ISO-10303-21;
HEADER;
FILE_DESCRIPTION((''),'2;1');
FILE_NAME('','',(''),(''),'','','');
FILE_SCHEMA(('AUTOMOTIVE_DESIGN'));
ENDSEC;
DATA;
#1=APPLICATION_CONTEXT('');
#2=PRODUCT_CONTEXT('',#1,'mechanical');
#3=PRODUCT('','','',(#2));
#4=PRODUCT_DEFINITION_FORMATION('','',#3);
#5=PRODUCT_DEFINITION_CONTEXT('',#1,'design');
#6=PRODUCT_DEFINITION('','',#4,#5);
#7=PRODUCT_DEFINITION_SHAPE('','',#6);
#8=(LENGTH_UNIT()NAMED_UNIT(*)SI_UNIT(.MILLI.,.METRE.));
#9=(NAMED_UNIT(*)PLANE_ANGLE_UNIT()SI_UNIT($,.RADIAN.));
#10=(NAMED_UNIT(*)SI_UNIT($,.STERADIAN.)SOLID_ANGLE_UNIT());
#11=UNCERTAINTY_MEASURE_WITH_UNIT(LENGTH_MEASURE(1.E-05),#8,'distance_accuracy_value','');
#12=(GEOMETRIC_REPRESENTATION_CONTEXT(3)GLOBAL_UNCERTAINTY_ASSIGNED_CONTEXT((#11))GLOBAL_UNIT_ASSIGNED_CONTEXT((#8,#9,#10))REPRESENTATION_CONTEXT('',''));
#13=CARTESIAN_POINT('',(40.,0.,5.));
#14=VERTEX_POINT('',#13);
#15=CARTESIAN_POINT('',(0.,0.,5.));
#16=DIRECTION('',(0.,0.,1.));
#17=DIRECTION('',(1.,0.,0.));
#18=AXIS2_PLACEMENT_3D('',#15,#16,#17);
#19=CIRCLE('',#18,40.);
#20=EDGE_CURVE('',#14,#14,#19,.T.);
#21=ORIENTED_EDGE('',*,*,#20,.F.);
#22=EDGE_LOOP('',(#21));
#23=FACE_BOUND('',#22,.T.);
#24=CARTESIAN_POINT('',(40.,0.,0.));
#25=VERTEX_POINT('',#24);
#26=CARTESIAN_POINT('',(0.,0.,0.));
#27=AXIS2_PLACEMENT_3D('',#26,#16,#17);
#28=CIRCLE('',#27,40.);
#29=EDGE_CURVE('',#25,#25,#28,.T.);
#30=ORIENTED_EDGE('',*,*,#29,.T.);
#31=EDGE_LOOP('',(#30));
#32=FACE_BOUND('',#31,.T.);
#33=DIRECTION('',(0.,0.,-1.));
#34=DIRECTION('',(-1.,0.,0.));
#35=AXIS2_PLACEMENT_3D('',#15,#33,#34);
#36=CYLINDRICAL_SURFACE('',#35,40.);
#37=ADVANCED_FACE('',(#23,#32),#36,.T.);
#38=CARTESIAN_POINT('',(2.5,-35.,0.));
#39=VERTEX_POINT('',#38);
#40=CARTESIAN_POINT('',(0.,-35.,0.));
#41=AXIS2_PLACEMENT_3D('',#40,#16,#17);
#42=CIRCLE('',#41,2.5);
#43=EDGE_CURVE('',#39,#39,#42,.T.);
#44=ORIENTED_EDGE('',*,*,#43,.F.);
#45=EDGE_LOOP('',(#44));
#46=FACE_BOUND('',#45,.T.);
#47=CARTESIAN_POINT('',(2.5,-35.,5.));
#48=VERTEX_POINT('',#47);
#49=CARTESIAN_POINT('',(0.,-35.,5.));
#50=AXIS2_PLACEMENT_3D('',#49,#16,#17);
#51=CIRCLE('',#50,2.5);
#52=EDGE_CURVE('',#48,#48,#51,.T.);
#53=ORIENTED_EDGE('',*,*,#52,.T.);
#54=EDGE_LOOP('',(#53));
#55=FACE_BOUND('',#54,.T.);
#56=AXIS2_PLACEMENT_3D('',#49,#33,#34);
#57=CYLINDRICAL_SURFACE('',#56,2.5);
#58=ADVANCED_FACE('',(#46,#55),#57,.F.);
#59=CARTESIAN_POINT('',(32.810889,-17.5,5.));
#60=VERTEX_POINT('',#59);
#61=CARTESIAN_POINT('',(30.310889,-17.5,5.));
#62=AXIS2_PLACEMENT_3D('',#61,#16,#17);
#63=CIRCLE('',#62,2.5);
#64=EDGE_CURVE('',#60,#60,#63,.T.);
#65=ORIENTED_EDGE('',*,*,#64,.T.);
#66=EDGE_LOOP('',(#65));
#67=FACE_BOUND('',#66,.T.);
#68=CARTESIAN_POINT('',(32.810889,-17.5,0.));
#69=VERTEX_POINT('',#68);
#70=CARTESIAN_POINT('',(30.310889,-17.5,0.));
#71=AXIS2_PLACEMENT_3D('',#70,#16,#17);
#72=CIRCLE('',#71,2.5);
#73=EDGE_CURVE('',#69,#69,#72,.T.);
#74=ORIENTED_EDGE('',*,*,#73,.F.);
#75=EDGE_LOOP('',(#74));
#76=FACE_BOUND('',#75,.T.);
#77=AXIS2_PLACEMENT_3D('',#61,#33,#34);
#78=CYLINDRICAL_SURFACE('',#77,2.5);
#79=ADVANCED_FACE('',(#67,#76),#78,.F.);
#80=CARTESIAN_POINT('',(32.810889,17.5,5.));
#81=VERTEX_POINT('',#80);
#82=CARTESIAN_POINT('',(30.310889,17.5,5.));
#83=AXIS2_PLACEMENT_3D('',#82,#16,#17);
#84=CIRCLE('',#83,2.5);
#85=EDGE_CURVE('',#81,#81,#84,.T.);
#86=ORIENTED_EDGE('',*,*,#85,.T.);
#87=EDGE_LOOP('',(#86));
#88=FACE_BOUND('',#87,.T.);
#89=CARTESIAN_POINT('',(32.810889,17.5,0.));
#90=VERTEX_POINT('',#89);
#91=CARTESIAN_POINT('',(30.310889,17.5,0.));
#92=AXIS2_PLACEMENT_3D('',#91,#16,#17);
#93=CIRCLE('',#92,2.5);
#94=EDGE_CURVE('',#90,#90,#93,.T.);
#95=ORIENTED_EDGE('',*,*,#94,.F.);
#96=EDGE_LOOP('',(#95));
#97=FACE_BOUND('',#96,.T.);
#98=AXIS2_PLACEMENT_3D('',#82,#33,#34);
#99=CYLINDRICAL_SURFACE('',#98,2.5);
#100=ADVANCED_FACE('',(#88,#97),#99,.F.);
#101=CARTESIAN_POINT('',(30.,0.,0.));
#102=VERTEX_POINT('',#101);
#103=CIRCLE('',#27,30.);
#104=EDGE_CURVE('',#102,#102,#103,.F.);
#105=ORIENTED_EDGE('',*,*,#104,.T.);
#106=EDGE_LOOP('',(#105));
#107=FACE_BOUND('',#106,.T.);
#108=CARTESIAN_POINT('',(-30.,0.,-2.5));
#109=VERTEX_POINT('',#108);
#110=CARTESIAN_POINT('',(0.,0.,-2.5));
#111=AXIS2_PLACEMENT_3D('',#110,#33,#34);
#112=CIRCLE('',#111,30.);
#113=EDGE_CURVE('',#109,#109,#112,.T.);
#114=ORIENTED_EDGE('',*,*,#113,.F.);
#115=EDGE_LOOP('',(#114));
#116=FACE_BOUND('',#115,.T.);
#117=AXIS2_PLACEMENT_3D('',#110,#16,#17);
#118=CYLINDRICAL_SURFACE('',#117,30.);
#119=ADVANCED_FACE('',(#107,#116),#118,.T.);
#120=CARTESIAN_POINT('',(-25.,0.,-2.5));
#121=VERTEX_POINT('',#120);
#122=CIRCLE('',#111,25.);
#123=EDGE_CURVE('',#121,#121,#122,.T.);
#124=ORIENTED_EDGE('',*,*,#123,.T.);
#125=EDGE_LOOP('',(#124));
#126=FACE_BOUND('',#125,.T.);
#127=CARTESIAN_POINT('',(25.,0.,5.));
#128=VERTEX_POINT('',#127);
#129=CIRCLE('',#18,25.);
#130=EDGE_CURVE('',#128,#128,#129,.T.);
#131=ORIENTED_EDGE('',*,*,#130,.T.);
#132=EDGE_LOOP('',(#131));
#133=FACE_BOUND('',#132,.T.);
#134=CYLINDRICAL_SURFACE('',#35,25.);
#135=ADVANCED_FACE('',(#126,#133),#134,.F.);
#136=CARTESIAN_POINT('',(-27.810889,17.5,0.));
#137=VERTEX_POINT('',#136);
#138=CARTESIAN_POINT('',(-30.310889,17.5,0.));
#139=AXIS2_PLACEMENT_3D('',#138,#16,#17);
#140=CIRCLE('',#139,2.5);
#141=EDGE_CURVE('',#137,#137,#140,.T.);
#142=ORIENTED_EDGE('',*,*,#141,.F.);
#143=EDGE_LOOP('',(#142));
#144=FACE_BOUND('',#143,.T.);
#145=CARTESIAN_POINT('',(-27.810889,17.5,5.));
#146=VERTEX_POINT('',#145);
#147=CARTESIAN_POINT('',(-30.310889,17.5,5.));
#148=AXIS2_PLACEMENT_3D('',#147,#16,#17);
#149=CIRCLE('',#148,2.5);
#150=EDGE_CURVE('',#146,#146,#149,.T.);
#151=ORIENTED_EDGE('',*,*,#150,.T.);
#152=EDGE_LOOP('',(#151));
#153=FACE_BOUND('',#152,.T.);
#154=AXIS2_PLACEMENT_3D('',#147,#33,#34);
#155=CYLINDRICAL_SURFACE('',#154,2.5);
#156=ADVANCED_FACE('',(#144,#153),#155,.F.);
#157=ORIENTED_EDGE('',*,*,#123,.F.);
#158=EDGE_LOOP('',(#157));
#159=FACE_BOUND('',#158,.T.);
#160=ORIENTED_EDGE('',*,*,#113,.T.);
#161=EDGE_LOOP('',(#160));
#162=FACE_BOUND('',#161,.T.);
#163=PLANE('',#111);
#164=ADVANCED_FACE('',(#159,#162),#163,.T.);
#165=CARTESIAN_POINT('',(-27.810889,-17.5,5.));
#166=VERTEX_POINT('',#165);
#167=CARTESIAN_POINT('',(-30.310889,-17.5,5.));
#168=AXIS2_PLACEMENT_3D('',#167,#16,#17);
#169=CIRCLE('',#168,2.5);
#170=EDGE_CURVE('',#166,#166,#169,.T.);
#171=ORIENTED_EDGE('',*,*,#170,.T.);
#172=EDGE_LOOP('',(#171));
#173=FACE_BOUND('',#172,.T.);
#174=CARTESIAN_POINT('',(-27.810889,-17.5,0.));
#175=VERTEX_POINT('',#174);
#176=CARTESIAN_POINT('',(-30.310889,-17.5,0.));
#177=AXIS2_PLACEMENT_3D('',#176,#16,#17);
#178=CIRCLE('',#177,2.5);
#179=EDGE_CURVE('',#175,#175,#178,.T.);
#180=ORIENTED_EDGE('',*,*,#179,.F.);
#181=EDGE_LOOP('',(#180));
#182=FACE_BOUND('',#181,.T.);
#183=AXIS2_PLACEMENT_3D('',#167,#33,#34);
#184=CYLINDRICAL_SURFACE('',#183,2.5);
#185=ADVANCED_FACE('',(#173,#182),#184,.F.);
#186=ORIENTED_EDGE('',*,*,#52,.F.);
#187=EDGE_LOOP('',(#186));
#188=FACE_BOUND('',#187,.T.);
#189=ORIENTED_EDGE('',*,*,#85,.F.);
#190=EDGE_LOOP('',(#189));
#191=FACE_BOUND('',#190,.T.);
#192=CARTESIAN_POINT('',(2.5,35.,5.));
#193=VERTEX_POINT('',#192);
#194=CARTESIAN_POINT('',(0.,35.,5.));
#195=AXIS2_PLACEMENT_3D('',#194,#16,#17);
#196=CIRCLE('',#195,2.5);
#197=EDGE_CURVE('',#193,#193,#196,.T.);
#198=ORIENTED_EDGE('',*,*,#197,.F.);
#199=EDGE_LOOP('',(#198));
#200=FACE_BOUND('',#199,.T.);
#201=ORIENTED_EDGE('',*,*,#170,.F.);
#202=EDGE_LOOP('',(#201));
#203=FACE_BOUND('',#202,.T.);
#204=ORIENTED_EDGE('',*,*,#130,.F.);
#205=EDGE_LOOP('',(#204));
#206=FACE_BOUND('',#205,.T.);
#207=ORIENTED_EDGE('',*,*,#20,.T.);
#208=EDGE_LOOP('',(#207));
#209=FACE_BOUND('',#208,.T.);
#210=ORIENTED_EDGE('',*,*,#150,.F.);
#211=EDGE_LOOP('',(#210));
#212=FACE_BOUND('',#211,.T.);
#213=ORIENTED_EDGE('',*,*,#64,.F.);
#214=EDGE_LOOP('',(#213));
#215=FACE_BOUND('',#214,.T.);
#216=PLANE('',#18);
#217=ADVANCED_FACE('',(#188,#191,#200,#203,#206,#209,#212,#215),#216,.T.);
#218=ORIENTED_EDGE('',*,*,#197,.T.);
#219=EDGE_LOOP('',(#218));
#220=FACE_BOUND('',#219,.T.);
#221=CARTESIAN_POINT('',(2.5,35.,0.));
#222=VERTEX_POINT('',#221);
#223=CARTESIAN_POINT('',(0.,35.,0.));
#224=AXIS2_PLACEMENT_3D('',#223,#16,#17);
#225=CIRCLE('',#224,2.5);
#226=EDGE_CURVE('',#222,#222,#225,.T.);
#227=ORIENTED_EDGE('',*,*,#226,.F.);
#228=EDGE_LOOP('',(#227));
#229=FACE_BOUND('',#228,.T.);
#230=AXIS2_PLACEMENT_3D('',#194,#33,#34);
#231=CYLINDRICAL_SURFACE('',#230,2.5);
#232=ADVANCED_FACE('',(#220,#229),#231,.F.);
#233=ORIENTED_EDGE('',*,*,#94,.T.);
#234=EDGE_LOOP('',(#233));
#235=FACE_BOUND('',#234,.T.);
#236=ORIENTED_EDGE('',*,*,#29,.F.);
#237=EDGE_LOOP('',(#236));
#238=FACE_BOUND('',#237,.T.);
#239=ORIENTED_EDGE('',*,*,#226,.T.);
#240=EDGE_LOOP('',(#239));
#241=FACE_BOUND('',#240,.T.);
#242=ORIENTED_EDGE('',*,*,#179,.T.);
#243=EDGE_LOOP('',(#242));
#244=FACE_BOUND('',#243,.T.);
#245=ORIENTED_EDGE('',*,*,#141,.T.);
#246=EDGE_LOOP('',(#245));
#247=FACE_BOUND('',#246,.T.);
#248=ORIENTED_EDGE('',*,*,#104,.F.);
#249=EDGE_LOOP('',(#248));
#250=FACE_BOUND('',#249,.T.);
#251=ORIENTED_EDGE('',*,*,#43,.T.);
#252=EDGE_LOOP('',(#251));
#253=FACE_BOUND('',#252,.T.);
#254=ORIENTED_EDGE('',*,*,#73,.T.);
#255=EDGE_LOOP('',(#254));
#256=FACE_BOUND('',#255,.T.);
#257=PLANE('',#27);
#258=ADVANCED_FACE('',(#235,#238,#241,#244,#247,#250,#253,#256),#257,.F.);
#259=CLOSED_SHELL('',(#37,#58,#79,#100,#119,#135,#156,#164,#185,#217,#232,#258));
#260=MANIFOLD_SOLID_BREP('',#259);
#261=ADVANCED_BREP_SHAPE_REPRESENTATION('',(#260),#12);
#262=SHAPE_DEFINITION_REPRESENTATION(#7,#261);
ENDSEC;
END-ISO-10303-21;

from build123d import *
from build123d.topology import SkipClean

# Parameters (mm, degrees)
SKETCH1_R              = 40
SKETCH1_R_2            = 25
BOSS_EXTRUDE1_DEPTH    = 5
SLEW_START             = 2.5
SKETCH3_R              = 30
SKETCH3_R_2            = 25
SLEW_BEARING_LIP_DEPTH = 2.5
SKETCH4_R              = 2.5
SCREW_HOLES_DEPTH      = 57.789083458


with BuildPart() as part:
    # Sketch1 → Boss-Extrude1 (new body)
    with BuildSketch(Plane.XY):
        Circle(SKETCH1_R)
        Circle(SKETCH1_R_2, mode=Mode.SUBTRACT)
    extrude(amount=BOSS_EXTRUDE1_DEPTH)

    # Sketch3 → slew bearing lip (add)
    with SkipClean():  # the faces are left unmerged after this step: merging them gives an invalid solid
        with BuildSketch(Plane(origin=(0, 0, 0), x_dir=(-1, 0, 0), z_dir=(0, 0, -1)).offset(SLEW_START)):
            with Locations(Location((0, 0, 0), (0, 0, 180))):
                Circle(SKETCH3_R)
            Circle(SKETCH3_R_2, mode=Mode.SUBTRACT)
        extrude(amount=-SLEW_BEARING_LIP_DEPTH)

    # Sketch4 → screw holes (cut, through all)
    with SkipClean():  # the faces are left unmerged after this step: merging them gives an invalid solid
        with BuildSketch(Plane.XY):
            with Locations((0, 35)):
                Circle(SKETCH4_R)
            with Locations((30.310889132, 17.5)):
                Circle(SKETCH4_R)
            with Locations((30.310889132, -17.5)):
                Circle(SKETCH4_R)
            with Locations((0, -35)):
                Circle(SKETCH4_R)
            with Locations((-30.310889132, -17.5)):
                Circle(SKETCH4_R)
            with Locations((-30.310889132, 17.5)):
                Circle(SKETCH4_R)
        extrude(amount=SCREW_HOLES_DEPTH, mode=Mode.SUBTRACT)


solid = part.part
